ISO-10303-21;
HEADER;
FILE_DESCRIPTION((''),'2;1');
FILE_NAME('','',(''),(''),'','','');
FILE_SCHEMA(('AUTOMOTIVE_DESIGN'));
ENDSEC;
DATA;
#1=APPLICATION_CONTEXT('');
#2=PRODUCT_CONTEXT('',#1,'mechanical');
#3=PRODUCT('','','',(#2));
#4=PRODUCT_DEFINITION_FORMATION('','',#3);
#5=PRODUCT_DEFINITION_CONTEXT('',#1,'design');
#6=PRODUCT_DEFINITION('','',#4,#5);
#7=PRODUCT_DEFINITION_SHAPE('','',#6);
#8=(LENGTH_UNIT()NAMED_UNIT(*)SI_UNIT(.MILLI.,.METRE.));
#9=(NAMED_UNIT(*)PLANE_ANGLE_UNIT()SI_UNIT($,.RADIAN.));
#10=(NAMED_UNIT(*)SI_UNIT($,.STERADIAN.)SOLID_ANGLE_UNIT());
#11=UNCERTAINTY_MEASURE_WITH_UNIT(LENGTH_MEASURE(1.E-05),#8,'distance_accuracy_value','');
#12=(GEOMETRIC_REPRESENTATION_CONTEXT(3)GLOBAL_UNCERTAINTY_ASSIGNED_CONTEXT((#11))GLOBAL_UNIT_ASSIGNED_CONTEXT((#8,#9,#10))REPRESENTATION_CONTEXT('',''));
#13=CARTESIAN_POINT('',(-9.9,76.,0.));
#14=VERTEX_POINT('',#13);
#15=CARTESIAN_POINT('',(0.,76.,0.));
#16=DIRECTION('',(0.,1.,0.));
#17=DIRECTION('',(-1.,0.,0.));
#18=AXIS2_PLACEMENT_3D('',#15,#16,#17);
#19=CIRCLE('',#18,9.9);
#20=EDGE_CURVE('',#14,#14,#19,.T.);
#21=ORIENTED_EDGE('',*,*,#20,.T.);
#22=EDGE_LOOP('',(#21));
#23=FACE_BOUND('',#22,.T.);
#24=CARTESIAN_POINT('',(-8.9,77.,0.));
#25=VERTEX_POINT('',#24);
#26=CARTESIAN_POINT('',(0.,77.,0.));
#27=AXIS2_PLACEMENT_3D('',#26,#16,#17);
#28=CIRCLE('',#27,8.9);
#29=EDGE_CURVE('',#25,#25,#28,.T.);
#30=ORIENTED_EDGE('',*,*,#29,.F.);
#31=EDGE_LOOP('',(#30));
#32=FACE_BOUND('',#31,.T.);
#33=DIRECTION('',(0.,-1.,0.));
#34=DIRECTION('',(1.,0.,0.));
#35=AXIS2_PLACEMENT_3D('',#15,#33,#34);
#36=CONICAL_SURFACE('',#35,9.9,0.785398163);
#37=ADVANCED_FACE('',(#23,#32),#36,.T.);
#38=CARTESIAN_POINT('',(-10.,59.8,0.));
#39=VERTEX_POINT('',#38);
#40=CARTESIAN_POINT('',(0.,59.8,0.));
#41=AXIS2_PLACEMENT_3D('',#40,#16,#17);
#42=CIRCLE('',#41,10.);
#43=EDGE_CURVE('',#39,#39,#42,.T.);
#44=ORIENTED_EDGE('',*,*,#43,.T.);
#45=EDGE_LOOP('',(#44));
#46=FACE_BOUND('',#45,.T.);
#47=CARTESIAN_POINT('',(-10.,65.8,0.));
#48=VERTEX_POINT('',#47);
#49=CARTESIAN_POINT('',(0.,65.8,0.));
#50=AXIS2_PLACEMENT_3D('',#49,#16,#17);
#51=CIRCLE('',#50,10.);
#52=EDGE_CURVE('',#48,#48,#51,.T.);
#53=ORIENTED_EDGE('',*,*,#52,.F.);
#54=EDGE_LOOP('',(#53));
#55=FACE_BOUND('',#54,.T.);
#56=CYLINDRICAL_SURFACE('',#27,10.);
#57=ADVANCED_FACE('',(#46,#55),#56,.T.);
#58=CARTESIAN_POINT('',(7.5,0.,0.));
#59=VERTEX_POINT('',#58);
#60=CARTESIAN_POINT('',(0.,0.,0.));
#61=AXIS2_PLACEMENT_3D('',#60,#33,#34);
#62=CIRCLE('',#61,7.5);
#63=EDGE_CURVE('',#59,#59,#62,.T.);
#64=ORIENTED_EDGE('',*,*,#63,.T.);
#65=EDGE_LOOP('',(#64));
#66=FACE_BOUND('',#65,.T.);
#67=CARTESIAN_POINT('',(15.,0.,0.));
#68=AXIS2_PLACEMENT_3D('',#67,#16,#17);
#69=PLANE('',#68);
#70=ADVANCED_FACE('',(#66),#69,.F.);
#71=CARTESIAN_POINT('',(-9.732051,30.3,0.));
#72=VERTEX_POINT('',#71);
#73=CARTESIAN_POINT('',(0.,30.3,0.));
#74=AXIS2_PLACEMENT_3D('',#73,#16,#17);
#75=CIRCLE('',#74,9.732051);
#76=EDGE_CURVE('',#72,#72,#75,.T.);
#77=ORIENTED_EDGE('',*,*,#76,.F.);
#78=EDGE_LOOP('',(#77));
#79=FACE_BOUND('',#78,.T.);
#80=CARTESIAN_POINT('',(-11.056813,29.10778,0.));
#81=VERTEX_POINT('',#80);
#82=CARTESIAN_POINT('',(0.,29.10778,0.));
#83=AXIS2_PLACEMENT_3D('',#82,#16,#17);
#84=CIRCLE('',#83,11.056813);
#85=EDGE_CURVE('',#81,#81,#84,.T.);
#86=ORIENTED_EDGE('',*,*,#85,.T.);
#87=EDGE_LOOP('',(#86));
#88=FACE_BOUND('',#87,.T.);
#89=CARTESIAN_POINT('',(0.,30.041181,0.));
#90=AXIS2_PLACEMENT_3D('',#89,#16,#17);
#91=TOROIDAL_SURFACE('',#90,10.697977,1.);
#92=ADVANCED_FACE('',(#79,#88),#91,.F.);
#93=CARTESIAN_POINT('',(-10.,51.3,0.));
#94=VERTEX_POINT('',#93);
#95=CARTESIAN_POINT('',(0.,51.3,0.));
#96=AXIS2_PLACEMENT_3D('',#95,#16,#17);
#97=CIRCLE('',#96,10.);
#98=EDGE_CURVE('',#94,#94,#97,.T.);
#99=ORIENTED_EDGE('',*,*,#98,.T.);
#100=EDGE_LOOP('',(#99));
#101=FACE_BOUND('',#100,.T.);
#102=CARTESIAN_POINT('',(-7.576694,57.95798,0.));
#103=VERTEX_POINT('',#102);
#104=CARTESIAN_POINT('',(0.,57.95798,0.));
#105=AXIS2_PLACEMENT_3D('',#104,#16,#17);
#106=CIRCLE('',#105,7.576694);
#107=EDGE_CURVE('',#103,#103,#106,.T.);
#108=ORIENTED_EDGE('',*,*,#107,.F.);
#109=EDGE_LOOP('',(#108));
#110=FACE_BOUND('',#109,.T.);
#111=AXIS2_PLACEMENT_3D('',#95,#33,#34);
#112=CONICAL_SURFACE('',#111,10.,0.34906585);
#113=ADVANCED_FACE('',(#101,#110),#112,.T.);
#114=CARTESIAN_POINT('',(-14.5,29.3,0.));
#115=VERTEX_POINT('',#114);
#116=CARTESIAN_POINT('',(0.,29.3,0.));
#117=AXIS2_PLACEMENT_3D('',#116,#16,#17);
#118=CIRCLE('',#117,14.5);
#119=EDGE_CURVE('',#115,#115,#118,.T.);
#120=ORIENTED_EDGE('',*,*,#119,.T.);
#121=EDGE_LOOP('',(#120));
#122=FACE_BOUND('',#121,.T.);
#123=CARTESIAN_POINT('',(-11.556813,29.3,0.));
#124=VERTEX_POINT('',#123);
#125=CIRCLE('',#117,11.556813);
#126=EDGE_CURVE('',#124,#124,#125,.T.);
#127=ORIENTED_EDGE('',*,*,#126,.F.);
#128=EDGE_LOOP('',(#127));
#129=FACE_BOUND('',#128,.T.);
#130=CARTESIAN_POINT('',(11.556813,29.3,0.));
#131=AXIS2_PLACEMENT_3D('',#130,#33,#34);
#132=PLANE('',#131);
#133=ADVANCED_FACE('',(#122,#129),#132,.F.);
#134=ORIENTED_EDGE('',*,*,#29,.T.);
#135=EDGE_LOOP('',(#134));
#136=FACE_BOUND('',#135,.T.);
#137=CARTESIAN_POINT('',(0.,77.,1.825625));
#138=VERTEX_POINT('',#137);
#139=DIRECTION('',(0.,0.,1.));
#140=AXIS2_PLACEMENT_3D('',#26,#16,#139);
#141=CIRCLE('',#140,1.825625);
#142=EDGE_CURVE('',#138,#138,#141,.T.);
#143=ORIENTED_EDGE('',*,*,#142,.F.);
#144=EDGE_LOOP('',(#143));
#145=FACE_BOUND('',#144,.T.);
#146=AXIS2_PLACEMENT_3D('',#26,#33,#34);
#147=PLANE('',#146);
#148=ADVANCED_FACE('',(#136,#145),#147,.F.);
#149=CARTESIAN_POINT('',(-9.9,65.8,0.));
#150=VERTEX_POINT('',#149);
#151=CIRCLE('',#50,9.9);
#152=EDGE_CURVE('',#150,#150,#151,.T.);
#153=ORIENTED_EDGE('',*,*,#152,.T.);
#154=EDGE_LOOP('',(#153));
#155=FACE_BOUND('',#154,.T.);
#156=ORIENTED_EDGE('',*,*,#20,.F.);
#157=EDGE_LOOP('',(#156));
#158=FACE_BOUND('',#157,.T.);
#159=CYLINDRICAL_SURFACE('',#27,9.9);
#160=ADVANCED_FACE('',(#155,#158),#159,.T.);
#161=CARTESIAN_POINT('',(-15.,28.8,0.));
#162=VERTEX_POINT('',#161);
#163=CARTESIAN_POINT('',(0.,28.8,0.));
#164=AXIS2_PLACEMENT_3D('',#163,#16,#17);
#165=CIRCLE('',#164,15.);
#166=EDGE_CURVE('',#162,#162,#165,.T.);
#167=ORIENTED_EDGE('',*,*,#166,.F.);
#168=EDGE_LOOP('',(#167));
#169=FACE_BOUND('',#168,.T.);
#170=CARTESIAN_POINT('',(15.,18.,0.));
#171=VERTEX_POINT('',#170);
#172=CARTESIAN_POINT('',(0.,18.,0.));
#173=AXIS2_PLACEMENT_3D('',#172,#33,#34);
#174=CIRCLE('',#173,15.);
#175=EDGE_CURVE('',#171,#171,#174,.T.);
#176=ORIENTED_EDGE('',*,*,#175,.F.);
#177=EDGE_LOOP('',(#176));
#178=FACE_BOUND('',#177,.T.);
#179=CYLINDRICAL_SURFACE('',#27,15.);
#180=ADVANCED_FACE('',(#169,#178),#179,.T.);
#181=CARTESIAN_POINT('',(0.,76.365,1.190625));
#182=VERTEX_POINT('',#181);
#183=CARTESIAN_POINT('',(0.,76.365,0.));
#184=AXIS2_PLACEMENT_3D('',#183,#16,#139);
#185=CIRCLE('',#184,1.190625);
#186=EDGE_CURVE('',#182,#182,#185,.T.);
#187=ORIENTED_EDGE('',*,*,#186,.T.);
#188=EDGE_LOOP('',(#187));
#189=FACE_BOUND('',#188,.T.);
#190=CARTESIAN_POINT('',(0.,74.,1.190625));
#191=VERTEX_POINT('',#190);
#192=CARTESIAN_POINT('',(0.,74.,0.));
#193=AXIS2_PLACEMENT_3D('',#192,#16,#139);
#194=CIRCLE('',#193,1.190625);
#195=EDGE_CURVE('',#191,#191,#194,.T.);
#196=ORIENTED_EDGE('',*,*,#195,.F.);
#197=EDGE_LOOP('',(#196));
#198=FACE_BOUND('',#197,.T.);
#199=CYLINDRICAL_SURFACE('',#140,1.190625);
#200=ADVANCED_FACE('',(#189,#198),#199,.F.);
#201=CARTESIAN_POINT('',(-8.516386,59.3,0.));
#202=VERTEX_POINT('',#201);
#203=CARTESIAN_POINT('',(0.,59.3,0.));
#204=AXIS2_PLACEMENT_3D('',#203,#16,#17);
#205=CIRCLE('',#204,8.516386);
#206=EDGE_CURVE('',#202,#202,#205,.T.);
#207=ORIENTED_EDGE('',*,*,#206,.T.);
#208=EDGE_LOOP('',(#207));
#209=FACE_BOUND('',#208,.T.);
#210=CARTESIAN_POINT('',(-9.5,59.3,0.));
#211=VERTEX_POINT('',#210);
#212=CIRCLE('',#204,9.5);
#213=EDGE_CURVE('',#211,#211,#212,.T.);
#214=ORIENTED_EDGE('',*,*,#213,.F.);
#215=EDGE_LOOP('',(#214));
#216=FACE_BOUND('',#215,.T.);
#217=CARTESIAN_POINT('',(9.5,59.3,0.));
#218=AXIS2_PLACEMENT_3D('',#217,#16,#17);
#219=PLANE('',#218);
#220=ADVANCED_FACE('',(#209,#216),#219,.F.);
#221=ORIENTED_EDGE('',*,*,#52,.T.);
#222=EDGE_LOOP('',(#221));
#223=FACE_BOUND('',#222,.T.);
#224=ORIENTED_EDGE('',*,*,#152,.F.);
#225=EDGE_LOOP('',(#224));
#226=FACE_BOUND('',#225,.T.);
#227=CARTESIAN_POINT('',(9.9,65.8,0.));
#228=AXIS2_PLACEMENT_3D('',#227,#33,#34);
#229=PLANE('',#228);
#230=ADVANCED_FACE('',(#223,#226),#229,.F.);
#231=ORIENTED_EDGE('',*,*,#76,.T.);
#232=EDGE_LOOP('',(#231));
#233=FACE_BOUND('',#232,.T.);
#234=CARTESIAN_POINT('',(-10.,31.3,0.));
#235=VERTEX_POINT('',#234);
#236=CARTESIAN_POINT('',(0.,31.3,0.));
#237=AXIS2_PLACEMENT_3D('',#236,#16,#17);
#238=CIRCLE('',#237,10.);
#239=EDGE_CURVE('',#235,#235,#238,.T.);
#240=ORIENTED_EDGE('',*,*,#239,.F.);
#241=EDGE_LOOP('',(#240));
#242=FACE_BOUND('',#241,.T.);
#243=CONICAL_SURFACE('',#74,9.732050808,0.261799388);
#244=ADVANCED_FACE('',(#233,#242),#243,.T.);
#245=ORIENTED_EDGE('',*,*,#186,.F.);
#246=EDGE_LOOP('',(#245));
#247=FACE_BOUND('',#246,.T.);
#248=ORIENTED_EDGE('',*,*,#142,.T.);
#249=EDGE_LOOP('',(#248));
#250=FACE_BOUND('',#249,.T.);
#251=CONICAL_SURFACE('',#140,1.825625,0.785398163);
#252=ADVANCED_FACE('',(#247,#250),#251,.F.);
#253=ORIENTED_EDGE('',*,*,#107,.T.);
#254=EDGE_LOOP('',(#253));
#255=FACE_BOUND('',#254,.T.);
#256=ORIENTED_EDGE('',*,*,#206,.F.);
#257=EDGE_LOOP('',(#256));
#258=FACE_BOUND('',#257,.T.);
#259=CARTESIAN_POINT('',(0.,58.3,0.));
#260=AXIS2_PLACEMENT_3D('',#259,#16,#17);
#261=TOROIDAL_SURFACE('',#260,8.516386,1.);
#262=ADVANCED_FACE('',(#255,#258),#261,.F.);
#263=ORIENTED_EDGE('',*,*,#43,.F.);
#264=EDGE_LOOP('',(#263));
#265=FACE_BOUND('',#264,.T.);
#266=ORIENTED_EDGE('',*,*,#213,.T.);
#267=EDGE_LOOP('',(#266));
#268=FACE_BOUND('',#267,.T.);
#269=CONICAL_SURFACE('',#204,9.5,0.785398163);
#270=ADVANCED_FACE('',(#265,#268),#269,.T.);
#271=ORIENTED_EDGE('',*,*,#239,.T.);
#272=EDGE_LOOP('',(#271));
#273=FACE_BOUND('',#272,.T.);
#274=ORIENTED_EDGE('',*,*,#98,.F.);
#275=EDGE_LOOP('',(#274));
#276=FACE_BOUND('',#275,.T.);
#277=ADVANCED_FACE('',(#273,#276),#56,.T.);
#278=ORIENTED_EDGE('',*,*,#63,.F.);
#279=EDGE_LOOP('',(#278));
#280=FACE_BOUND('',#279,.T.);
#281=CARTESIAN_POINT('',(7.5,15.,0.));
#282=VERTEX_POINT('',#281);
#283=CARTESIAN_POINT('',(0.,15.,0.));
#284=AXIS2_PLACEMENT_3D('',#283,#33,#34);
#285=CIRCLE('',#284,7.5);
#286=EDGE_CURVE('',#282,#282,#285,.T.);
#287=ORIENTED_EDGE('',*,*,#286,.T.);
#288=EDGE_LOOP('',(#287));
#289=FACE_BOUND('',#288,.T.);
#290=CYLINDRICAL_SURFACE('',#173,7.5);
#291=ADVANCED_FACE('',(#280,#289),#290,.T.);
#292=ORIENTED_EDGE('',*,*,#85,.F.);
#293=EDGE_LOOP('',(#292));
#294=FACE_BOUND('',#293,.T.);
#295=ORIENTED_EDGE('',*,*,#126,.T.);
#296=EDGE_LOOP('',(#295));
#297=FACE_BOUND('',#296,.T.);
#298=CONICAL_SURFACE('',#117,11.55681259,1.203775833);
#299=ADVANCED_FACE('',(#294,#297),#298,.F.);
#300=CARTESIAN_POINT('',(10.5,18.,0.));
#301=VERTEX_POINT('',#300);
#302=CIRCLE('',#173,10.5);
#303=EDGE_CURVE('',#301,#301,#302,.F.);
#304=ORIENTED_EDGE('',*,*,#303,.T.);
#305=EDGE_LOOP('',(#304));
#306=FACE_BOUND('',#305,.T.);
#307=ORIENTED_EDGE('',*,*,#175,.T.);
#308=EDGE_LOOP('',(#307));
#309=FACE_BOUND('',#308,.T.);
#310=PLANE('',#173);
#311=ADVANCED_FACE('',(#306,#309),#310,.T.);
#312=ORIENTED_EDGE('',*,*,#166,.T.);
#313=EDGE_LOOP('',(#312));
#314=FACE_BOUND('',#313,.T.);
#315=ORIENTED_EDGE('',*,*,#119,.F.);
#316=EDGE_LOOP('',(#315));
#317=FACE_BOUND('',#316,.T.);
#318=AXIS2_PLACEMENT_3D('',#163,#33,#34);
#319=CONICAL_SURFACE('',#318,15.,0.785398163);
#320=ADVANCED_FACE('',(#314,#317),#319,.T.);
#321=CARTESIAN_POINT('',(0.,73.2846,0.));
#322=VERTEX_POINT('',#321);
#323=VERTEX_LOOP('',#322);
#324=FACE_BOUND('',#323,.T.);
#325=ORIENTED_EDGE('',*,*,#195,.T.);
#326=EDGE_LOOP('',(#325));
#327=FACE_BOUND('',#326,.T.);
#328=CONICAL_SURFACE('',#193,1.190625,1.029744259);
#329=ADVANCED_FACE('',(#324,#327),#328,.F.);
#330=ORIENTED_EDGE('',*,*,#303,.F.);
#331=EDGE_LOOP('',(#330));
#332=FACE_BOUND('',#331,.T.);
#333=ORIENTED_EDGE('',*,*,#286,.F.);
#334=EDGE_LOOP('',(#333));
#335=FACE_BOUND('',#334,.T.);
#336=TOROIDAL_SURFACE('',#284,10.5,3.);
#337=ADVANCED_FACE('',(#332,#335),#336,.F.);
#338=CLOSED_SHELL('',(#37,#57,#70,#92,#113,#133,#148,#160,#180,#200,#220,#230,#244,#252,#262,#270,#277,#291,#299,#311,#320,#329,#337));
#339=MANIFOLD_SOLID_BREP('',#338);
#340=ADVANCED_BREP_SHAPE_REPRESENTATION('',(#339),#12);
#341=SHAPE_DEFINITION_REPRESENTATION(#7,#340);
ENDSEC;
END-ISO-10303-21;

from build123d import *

# Parameters (mm, degrees)
FURO_DE_DI_METRO_3_32_0_09375_2_D           = 2.38125
FURO_DE_DI_METRO_3_32_0_09375_2_DEPTH       = 3
FURO_DE_DI_METRO_3_32_0_09375_2_CSINK_D     = 3.65125
FURO_DE_DI_METRO_3_32_0_09375_2_CSINK_ANGLE = 90
FURO_DE_DI_METRO_3_32_0_09375_2_TIP         = 0.715399675
ESBO_O10_OUTSIDE_W                          = 49.582
ESBO_O10_OUTSIDE_H                          = 49.582
ESBO_O10_OUTSIDE_R                          = 7.5
CORTE_EXTRUS_O2_DEPTH                       = 18
FILETE1_R                                   = 3


with BuildPart() as part:
    # Esboço1 → Revolução1 (revolve)
    with BuildSketch(Plane.XY):
        with BuildLine():
            Line((0, 77), (8.9, 77))
            Line((8.9, 77), (9.9, 76))
            Line((9.9, 76), (9.9, 65.8))
            Line((9.9, 65.8), (10, 65.8))
            Line((10, 65.8), (10, 59.8))
            Line((10, 59.8), (9.5, 59.3))
            Line((9.5, 59.3), (8.516386133, 59.3))
            ThreePointArc((8.516386133, 59.3), (7.697234088, 58.873576436), (7.576693512, 57.957979857))
            Line((7.576693512, 57.957979857), (10, 51.3))
            Line((10, 51.3), (10, 31.3))
            Line((10, 31.3), (9.732050808, 30.3))
            ThreePointArc((9.732050808, 30.3), (10.029032337, 29.297868418), (11.05681259, 29.107780314))
            Line((11.05681259, 29.107780314), (11.55681259, 29.3))
            Line((11.55681259, 29.3), (14.5, 29.3))
            Line((14.5, 29.3), (15, 28.8))
            Line((15, 28.8), (15, 0))
            Line((15, 0), (0, 0))
            Line((0, 0), (0, 77))
        make_face()
    revolve(axis=Axis((0, 77, 0), (0, -1, 0)))

    # Furo de diâmetro 3/32 (0.09375)2
    with Locations(Plane(origin=(0, 77, 0), x_dir=(-1, 0, 0), z_dir=(0, 1, 0))):
        with Locations((0, 0)):
            CounterSinkHole(FURO_DE_DI_METRO_3_32_0_09375_2_D / 2, FURO_DE_DI_METRO_3_32_0_09375_2_CSINK_D / 2, depth=FURO_DE_DI_METRO_3_32_0_09375_2_DEPTH, counter_sink_angle=FURO_DE_DI_METRO_3_32_0_09375_2_CSINK_ANGLE)
            with Locations((0, 0, -(FURO_DE_DI_METRO_3_32_0_09375_2_DEPTH + FURO_DE_DI_METRO_3_32_0_09375_2_TIP / 2))):  # 118° drill point
                Cone(0, FURO_DE_DI_METRO_3_32_0_09375_2_D / 2, FURO_DE_DI_METRO_3_32_0_09375_2_TIP, mode=Mode.SUBTRACT)

    # Esboço10 outside → Corte-extrusão2 (cut)
    with BuildSketch(Plane.XZ):
        Rectangle(ESBO_O10_OUTSIDE_W, ESBO_O10_OUTSIDE_H)
        Circle(ESBO_O10_OUTSIDE_R, mode=Mode.SUBTRACT)
    extrude(amount=-CORTE_EXTRUS_O2_DEPTH, mode=Mode.SUBTRACT)

    # Filete1
    filete1_edges = [part.edges().sort_by_distance(p)[0] for p in [
        (-7.5, 18, 0),
    ]]
    fillet(filete1_edges, radius=FILETE1_R)


solid = part.part
